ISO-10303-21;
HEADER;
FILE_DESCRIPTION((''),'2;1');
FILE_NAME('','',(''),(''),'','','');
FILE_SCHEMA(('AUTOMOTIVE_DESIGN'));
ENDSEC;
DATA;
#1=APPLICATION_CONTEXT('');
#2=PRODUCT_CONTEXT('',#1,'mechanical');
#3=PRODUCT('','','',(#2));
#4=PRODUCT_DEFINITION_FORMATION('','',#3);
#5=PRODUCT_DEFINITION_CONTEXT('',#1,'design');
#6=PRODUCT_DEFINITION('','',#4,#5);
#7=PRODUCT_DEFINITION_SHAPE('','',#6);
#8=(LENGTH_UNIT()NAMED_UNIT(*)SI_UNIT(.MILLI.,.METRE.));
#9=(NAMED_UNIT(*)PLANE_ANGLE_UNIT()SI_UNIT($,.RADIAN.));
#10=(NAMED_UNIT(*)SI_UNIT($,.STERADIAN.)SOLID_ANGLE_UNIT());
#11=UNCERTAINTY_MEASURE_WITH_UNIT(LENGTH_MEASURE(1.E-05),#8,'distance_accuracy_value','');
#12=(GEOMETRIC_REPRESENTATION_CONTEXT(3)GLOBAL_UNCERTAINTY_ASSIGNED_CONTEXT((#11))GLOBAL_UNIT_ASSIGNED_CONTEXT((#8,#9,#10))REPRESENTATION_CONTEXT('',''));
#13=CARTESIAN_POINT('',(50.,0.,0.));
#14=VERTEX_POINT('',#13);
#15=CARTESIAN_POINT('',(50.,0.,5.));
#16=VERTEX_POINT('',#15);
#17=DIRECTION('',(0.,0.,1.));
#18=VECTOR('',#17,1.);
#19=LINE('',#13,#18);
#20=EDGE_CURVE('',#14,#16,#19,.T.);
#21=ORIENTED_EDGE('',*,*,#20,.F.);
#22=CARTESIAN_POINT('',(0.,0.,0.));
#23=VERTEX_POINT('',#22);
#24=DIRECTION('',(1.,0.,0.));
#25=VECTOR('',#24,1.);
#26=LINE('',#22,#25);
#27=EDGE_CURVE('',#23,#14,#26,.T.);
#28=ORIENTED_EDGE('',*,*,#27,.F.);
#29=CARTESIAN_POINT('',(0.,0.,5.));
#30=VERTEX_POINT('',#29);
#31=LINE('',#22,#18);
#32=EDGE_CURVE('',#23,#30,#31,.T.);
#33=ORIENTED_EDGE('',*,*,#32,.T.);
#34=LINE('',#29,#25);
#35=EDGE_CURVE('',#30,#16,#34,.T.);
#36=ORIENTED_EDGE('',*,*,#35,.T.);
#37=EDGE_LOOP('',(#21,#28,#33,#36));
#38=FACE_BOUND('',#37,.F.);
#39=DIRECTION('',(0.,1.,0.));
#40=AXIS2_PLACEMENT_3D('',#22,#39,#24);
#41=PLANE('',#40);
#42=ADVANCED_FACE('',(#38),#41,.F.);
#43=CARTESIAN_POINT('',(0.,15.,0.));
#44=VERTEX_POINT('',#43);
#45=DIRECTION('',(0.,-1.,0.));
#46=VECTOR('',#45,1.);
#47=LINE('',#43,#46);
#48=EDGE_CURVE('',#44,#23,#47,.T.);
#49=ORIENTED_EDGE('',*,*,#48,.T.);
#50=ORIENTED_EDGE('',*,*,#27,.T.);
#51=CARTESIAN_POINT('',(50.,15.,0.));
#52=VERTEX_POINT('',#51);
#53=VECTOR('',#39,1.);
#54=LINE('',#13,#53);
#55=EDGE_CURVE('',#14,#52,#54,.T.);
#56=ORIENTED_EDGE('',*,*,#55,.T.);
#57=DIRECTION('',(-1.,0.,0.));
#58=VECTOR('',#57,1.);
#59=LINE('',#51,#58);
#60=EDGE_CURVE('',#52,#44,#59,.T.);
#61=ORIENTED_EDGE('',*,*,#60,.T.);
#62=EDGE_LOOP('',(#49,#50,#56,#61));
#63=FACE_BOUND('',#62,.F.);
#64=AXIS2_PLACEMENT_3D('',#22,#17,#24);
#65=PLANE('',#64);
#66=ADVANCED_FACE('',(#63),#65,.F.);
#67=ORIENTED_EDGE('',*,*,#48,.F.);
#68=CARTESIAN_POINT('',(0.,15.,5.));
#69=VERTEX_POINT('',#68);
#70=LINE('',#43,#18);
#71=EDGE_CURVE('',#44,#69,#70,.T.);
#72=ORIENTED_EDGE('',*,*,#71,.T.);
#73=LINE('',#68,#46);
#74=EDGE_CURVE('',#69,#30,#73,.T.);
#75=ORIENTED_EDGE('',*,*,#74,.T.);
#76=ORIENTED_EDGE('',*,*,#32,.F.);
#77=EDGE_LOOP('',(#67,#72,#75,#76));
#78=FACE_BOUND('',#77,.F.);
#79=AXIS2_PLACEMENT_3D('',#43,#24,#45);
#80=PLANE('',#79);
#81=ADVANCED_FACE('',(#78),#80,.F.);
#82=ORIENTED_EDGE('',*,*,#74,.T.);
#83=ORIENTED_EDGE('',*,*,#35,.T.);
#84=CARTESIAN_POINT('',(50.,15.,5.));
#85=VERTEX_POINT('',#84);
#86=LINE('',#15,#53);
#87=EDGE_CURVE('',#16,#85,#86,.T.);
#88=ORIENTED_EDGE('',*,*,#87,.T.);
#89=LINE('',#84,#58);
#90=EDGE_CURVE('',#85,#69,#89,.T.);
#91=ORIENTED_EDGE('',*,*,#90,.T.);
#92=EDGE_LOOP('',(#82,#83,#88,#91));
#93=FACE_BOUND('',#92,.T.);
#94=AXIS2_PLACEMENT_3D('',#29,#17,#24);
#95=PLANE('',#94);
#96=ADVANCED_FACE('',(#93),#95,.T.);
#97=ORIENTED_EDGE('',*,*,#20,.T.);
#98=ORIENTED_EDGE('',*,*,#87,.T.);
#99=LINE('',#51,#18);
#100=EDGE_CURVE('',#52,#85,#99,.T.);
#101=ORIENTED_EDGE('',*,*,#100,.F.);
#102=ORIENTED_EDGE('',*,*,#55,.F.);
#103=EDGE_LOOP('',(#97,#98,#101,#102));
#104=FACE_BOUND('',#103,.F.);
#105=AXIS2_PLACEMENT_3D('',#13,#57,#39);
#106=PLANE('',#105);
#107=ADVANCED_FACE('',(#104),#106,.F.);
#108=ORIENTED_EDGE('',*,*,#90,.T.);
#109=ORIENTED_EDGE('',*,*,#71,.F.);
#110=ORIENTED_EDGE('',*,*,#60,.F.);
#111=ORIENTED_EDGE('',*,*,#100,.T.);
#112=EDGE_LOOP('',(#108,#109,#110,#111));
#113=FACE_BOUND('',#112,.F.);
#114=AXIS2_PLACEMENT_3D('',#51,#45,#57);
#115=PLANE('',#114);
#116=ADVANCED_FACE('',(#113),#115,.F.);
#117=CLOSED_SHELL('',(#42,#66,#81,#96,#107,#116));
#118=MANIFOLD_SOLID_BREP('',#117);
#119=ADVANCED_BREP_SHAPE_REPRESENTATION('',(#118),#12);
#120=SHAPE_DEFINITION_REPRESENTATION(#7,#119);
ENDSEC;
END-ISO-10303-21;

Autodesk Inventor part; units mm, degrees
ref_plane "YZ Plane" through (0, 0, 0) normal (1, 0, 0) x (0, 1, 0)
ref_plane "XZ Plane" through (0, 0, 0) normal (0, 1, 0) x (-1, 0, 0)
ref_plane "XY Plane" through (0, 0, 0) normal (0, 0, 1) x (1, 0, 0)
sketch "Sketch1" plane through (0, 0, 0) normal (0, 0, 1) x (1, 0, 0)
  line L0 (0, 0) -> (50, 0)
  line L1 (50, 0) -> (50, 15)
  line L2 (50, 15) -> (0, 15)
  line L3 (0, 15) -> (0, 0)
  dimension "d0" = 50
  dimension "d1" = 15
extrude "Extrusion1" add sketch "Sketch1" along normal blind 5
properties part number "straight_line_punkt_parkinglot"
